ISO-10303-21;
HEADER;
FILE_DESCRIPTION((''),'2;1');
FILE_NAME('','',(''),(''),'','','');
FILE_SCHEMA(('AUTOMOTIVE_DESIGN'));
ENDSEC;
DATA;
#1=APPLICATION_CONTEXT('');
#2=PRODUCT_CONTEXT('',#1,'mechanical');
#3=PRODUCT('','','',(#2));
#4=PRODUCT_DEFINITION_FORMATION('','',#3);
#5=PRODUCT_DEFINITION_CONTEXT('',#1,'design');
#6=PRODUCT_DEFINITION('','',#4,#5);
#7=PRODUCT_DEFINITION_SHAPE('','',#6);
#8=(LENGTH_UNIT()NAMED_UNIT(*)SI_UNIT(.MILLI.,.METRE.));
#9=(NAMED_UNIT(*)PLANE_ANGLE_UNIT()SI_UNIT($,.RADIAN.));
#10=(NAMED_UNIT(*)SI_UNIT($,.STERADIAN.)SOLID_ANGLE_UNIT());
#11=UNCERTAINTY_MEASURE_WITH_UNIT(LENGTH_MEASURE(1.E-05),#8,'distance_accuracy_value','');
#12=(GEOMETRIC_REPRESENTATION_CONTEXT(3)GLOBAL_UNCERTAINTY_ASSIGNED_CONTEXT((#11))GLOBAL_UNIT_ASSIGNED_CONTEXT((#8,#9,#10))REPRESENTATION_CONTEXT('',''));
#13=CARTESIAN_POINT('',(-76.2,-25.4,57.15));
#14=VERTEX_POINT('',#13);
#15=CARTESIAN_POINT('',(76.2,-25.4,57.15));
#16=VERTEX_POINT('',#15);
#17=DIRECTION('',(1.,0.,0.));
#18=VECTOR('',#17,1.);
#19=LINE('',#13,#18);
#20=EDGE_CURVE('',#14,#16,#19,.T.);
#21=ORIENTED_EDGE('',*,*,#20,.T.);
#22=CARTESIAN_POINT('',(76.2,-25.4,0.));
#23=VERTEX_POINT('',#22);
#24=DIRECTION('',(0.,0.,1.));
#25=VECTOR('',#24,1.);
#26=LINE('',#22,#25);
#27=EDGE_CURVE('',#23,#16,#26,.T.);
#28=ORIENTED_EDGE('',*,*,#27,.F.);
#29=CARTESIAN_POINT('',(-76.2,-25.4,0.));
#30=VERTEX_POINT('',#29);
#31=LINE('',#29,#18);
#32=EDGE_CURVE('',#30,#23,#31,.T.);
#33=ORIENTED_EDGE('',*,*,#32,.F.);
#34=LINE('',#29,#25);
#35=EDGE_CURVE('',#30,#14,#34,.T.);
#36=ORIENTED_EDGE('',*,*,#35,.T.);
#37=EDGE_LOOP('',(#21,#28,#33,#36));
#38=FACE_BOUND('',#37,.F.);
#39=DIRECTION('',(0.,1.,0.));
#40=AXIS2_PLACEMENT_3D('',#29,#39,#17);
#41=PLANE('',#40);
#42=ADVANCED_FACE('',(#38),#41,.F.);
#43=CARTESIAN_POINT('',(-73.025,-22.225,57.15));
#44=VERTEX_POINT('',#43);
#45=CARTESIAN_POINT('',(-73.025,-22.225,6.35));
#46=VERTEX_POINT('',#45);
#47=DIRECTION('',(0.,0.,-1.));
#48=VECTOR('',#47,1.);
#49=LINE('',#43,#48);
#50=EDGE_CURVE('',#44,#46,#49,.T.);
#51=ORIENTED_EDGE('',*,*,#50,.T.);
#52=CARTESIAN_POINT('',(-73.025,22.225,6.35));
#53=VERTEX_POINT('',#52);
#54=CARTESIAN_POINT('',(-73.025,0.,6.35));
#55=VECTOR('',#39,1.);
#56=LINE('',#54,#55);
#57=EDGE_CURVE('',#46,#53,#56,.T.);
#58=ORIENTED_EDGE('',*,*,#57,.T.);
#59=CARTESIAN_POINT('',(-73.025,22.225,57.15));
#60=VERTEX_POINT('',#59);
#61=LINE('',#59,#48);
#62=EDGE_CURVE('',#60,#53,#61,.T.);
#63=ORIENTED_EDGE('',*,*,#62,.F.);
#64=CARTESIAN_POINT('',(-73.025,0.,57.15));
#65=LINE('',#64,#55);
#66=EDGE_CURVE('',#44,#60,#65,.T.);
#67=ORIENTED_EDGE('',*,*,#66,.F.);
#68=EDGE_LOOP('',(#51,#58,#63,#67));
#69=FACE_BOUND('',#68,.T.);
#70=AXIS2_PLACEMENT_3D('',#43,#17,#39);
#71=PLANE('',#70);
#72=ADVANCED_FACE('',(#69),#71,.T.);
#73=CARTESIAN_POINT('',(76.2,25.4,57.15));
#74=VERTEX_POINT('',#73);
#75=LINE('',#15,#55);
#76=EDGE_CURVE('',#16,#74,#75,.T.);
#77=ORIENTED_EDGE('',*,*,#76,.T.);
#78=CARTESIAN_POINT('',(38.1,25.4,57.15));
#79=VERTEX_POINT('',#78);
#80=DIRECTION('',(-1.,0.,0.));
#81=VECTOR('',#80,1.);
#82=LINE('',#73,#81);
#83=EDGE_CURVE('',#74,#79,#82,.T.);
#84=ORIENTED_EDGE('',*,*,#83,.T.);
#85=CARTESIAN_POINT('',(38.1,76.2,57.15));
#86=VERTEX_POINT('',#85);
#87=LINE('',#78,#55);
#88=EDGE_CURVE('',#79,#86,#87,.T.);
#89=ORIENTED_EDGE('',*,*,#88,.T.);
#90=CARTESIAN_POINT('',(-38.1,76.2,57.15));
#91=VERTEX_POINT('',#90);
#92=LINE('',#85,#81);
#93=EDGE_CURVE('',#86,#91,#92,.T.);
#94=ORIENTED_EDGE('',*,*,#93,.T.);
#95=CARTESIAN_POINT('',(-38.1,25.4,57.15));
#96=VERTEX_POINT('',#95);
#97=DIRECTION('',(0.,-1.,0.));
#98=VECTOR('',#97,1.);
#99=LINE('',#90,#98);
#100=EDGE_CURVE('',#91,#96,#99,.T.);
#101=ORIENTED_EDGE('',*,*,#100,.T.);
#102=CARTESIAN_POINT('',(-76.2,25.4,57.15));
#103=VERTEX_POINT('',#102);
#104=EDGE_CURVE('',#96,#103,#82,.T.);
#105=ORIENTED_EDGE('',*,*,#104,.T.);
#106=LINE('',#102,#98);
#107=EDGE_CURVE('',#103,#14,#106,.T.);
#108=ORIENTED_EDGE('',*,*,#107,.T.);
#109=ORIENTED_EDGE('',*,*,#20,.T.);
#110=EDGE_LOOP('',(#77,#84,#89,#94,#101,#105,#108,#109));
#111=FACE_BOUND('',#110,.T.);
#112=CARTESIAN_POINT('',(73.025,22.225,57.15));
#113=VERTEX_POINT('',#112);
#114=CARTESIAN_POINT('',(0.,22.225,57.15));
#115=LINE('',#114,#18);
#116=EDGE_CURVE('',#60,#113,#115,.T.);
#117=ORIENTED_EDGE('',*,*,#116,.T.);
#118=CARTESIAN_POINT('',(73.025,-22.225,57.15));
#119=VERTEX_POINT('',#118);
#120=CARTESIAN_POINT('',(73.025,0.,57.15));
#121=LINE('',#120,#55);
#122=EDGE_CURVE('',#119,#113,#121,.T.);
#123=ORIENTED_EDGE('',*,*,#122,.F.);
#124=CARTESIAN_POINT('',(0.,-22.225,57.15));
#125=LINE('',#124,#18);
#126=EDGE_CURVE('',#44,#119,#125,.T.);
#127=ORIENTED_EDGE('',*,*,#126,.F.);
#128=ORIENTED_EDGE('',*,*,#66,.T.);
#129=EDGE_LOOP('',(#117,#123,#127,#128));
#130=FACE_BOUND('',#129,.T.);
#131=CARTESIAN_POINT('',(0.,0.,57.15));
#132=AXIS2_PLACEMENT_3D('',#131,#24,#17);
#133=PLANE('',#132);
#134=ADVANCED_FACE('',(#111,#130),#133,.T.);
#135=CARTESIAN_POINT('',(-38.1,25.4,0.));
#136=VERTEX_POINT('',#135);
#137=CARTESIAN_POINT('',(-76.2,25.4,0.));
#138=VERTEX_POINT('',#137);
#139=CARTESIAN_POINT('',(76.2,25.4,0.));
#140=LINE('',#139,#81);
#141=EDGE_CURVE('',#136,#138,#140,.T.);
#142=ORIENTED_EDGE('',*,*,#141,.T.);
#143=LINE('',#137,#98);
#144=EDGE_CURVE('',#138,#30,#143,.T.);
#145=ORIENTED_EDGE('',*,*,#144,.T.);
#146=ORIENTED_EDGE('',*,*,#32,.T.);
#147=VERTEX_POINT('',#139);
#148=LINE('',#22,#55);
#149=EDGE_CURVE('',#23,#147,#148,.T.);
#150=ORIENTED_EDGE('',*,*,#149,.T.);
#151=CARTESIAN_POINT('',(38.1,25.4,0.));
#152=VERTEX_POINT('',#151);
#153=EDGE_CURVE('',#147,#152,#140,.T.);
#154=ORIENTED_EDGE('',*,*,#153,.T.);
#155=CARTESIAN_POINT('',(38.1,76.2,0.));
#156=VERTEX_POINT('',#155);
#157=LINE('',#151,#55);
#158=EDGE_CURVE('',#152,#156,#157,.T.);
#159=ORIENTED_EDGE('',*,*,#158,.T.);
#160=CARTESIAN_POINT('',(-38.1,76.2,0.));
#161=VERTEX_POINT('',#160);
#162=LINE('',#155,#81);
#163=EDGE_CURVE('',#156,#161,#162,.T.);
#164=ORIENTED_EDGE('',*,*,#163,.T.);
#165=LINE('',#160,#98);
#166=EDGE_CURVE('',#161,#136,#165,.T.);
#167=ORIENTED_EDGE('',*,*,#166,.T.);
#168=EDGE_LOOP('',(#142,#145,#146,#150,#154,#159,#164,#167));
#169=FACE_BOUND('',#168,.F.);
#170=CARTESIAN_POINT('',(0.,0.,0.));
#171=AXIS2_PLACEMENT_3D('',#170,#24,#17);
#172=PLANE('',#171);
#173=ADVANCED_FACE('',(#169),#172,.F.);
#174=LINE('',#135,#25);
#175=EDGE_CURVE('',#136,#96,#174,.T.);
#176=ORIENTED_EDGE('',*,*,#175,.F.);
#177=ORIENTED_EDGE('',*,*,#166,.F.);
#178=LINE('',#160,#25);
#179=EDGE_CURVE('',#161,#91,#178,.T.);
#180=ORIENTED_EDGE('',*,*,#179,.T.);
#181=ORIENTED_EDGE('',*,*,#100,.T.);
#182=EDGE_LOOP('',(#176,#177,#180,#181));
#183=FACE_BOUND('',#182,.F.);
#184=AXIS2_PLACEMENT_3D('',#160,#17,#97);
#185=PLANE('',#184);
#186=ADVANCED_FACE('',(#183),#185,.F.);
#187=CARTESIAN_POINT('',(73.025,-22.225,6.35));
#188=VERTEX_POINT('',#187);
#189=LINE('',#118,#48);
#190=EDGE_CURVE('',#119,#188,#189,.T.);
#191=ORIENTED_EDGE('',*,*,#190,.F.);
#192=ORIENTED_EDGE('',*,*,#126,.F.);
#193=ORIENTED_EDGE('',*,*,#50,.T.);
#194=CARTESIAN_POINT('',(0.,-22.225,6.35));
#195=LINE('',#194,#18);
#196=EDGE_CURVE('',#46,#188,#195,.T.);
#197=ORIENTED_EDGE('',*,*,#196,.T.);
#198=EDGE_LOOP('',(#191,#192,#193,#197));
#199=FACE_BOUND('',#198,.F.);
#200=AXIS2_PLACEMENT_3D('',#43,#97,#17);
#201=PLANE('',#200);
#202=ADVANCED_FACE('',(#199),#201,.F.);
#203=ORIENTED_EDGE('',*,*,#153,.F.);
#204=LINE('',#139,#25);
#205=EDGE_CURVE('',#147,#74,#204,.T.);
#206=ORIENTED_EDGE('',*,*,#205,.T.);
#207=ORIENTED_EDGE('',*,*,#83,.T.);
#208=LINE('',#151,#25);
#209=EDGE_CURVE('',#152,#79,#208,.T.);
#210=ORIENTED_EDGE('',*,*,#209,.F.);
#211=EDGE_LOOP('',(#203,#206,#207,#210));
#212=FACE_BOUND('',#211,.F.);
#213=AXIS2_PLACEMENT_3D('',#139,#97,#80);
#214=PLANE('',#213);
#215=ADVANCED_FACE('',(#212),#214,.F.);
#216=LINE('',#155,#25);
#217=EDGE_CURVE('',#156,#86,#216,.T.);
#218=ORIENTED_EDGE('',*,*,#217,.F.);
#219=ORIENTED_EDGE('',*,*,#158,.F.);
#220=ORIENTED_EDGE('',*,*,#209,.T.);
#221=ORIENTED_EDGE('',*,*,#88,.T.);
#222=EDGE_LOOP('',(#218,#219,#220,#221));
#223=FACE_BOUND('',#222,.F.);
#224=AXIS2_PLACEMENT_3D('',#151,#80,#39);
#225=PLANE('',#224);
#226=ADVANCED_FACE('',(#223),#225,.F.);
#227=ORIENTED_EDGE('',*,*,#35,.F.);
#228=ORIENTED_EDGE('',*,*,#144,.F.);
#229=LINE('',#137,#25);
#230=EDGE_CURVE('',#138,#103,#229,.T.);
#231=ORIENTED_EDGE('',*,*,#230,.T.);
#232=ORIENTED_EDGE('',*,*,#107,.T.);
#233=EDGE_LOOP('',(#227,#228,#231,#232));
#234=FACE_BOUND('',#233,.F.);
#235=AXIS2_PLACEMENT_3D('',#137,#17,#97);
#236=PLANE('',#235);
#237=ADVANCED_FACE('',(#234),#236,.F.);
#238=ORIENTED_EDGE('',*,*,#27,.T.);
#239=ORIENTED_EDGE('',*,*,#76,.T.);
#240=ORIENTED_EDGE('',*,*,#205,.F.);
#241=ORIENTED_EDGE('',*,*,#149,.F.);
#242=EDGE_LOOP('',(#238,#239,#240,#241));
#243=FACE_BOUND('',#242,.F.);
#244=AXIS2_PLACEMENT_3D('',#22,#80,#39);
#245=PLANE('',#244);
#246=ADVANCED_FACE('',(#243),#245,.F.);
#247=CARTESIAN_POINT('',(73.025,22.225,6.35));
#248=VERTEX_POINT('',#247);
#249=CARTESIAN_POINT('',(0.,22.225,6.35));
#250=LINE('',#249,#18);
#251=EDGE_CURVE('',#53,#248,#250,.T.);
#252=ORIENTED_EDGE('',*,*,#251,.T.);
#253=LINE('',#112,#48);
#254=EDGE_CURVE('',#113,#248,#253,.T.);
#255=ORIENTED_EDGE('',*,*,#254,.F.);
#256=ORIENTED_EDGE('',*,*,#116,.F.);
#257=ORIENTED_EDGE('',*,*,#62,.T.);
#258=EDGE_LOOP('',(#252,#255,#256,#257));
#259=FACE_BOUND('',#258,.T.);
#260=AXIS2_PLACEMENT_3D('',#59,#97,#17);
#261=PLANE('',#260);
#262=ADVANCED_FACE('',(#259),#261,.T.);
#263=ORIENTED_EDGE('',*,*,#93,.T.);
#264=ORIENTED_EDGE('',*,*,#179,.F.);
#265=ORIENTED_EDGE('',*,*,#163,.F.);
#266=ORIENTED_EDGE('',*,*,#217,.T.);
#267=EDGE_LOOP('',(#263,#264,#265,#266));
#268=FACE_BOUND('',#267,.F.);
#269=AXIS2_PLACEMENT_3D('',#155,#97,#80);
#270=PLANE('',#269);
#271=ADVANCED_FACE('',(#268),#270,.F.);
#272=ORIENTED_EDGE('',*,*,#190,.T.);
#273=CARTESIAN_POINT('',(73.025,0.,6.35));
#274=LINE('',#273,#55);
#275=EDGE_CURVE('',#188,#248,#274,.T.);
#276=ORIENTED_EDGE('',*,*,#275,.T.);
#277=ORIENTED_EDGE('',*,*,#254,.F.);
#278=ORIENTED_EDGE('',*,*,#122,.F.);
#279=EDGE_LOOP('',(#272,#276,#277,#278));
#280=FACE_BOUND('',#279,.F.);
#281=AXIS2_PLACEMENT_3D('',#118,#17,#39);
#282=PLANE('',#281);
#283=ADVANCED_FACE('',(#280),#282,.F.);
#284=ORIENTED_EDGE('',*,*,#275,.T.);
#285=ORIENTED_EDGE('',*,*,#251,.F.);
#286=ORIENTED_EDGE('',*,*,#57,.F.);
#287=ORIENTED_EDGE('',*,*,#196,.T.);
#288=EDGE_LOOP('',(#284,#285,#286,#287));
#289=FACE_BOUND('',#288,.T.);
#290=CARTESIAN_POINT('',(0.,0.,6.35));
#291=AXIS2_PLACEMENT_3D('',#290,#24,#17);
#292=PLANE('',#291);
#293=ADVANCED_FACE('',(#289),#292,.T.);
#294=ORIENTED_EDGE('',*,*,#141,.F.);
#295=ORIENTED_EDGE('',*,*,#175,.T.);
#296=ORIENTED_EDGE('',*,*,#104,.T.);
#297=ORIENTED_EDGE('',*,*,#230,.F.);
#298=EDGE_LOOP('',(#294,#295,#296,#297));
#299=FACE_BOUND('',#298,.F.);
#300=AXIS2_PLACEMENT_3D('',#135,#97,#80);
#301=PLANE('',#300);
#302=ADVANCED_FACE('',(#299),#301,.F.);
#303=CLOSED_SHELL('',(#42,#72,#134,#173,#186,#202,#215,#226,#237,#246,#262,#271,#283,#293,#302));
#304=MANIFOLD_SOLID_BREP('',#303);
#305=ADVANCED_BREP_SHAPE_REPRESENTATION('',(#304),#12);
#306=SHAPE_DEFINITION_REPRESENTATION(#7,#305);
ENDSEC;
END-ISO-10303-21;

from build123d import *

# Parameters (mm, degrees)
F0_W     = 38.1
F0_H     = 25.4
F1_DEPTH = 57.15
F2_W     = 146.05
F2_H     = 44.45
F3_DEPTH = 50.8


with BuildPart() as f1:
    # F0 (on Top) → F1 (new body)
    with BuildSketch(Plane.XY):
        Polygon((76.2, -25.4), (76.2, 25.4), (38.1, 25.4), (0, 25.4), (-38.1, 25.4), (-76.2, 25.4), (-76.2, -25.4), align=None)
        with Locations((19.05, 38.1)):
            Rectangle(F0_W, F0_H)
        with Locations((-19.05, 38.1)):
            Rectangle(F0_W, F0_H)
        Polygon((0, 50.8), (38.1, 50.8), (38.1, 76.2), (-38.1, 76.2), (-38.1, 50.8), align=None)
    extrude(amount=F1_DEPTH)

    # F2 (on face) → F3 (cut)
    with BuildSketch(Plane.XY.offset(57.15)):
        Rectangle(F2_W, F2_H)
    extrude(amount=-F3_DEPTH, mode=Mode.SUBTRACT)


solid = f1.part
